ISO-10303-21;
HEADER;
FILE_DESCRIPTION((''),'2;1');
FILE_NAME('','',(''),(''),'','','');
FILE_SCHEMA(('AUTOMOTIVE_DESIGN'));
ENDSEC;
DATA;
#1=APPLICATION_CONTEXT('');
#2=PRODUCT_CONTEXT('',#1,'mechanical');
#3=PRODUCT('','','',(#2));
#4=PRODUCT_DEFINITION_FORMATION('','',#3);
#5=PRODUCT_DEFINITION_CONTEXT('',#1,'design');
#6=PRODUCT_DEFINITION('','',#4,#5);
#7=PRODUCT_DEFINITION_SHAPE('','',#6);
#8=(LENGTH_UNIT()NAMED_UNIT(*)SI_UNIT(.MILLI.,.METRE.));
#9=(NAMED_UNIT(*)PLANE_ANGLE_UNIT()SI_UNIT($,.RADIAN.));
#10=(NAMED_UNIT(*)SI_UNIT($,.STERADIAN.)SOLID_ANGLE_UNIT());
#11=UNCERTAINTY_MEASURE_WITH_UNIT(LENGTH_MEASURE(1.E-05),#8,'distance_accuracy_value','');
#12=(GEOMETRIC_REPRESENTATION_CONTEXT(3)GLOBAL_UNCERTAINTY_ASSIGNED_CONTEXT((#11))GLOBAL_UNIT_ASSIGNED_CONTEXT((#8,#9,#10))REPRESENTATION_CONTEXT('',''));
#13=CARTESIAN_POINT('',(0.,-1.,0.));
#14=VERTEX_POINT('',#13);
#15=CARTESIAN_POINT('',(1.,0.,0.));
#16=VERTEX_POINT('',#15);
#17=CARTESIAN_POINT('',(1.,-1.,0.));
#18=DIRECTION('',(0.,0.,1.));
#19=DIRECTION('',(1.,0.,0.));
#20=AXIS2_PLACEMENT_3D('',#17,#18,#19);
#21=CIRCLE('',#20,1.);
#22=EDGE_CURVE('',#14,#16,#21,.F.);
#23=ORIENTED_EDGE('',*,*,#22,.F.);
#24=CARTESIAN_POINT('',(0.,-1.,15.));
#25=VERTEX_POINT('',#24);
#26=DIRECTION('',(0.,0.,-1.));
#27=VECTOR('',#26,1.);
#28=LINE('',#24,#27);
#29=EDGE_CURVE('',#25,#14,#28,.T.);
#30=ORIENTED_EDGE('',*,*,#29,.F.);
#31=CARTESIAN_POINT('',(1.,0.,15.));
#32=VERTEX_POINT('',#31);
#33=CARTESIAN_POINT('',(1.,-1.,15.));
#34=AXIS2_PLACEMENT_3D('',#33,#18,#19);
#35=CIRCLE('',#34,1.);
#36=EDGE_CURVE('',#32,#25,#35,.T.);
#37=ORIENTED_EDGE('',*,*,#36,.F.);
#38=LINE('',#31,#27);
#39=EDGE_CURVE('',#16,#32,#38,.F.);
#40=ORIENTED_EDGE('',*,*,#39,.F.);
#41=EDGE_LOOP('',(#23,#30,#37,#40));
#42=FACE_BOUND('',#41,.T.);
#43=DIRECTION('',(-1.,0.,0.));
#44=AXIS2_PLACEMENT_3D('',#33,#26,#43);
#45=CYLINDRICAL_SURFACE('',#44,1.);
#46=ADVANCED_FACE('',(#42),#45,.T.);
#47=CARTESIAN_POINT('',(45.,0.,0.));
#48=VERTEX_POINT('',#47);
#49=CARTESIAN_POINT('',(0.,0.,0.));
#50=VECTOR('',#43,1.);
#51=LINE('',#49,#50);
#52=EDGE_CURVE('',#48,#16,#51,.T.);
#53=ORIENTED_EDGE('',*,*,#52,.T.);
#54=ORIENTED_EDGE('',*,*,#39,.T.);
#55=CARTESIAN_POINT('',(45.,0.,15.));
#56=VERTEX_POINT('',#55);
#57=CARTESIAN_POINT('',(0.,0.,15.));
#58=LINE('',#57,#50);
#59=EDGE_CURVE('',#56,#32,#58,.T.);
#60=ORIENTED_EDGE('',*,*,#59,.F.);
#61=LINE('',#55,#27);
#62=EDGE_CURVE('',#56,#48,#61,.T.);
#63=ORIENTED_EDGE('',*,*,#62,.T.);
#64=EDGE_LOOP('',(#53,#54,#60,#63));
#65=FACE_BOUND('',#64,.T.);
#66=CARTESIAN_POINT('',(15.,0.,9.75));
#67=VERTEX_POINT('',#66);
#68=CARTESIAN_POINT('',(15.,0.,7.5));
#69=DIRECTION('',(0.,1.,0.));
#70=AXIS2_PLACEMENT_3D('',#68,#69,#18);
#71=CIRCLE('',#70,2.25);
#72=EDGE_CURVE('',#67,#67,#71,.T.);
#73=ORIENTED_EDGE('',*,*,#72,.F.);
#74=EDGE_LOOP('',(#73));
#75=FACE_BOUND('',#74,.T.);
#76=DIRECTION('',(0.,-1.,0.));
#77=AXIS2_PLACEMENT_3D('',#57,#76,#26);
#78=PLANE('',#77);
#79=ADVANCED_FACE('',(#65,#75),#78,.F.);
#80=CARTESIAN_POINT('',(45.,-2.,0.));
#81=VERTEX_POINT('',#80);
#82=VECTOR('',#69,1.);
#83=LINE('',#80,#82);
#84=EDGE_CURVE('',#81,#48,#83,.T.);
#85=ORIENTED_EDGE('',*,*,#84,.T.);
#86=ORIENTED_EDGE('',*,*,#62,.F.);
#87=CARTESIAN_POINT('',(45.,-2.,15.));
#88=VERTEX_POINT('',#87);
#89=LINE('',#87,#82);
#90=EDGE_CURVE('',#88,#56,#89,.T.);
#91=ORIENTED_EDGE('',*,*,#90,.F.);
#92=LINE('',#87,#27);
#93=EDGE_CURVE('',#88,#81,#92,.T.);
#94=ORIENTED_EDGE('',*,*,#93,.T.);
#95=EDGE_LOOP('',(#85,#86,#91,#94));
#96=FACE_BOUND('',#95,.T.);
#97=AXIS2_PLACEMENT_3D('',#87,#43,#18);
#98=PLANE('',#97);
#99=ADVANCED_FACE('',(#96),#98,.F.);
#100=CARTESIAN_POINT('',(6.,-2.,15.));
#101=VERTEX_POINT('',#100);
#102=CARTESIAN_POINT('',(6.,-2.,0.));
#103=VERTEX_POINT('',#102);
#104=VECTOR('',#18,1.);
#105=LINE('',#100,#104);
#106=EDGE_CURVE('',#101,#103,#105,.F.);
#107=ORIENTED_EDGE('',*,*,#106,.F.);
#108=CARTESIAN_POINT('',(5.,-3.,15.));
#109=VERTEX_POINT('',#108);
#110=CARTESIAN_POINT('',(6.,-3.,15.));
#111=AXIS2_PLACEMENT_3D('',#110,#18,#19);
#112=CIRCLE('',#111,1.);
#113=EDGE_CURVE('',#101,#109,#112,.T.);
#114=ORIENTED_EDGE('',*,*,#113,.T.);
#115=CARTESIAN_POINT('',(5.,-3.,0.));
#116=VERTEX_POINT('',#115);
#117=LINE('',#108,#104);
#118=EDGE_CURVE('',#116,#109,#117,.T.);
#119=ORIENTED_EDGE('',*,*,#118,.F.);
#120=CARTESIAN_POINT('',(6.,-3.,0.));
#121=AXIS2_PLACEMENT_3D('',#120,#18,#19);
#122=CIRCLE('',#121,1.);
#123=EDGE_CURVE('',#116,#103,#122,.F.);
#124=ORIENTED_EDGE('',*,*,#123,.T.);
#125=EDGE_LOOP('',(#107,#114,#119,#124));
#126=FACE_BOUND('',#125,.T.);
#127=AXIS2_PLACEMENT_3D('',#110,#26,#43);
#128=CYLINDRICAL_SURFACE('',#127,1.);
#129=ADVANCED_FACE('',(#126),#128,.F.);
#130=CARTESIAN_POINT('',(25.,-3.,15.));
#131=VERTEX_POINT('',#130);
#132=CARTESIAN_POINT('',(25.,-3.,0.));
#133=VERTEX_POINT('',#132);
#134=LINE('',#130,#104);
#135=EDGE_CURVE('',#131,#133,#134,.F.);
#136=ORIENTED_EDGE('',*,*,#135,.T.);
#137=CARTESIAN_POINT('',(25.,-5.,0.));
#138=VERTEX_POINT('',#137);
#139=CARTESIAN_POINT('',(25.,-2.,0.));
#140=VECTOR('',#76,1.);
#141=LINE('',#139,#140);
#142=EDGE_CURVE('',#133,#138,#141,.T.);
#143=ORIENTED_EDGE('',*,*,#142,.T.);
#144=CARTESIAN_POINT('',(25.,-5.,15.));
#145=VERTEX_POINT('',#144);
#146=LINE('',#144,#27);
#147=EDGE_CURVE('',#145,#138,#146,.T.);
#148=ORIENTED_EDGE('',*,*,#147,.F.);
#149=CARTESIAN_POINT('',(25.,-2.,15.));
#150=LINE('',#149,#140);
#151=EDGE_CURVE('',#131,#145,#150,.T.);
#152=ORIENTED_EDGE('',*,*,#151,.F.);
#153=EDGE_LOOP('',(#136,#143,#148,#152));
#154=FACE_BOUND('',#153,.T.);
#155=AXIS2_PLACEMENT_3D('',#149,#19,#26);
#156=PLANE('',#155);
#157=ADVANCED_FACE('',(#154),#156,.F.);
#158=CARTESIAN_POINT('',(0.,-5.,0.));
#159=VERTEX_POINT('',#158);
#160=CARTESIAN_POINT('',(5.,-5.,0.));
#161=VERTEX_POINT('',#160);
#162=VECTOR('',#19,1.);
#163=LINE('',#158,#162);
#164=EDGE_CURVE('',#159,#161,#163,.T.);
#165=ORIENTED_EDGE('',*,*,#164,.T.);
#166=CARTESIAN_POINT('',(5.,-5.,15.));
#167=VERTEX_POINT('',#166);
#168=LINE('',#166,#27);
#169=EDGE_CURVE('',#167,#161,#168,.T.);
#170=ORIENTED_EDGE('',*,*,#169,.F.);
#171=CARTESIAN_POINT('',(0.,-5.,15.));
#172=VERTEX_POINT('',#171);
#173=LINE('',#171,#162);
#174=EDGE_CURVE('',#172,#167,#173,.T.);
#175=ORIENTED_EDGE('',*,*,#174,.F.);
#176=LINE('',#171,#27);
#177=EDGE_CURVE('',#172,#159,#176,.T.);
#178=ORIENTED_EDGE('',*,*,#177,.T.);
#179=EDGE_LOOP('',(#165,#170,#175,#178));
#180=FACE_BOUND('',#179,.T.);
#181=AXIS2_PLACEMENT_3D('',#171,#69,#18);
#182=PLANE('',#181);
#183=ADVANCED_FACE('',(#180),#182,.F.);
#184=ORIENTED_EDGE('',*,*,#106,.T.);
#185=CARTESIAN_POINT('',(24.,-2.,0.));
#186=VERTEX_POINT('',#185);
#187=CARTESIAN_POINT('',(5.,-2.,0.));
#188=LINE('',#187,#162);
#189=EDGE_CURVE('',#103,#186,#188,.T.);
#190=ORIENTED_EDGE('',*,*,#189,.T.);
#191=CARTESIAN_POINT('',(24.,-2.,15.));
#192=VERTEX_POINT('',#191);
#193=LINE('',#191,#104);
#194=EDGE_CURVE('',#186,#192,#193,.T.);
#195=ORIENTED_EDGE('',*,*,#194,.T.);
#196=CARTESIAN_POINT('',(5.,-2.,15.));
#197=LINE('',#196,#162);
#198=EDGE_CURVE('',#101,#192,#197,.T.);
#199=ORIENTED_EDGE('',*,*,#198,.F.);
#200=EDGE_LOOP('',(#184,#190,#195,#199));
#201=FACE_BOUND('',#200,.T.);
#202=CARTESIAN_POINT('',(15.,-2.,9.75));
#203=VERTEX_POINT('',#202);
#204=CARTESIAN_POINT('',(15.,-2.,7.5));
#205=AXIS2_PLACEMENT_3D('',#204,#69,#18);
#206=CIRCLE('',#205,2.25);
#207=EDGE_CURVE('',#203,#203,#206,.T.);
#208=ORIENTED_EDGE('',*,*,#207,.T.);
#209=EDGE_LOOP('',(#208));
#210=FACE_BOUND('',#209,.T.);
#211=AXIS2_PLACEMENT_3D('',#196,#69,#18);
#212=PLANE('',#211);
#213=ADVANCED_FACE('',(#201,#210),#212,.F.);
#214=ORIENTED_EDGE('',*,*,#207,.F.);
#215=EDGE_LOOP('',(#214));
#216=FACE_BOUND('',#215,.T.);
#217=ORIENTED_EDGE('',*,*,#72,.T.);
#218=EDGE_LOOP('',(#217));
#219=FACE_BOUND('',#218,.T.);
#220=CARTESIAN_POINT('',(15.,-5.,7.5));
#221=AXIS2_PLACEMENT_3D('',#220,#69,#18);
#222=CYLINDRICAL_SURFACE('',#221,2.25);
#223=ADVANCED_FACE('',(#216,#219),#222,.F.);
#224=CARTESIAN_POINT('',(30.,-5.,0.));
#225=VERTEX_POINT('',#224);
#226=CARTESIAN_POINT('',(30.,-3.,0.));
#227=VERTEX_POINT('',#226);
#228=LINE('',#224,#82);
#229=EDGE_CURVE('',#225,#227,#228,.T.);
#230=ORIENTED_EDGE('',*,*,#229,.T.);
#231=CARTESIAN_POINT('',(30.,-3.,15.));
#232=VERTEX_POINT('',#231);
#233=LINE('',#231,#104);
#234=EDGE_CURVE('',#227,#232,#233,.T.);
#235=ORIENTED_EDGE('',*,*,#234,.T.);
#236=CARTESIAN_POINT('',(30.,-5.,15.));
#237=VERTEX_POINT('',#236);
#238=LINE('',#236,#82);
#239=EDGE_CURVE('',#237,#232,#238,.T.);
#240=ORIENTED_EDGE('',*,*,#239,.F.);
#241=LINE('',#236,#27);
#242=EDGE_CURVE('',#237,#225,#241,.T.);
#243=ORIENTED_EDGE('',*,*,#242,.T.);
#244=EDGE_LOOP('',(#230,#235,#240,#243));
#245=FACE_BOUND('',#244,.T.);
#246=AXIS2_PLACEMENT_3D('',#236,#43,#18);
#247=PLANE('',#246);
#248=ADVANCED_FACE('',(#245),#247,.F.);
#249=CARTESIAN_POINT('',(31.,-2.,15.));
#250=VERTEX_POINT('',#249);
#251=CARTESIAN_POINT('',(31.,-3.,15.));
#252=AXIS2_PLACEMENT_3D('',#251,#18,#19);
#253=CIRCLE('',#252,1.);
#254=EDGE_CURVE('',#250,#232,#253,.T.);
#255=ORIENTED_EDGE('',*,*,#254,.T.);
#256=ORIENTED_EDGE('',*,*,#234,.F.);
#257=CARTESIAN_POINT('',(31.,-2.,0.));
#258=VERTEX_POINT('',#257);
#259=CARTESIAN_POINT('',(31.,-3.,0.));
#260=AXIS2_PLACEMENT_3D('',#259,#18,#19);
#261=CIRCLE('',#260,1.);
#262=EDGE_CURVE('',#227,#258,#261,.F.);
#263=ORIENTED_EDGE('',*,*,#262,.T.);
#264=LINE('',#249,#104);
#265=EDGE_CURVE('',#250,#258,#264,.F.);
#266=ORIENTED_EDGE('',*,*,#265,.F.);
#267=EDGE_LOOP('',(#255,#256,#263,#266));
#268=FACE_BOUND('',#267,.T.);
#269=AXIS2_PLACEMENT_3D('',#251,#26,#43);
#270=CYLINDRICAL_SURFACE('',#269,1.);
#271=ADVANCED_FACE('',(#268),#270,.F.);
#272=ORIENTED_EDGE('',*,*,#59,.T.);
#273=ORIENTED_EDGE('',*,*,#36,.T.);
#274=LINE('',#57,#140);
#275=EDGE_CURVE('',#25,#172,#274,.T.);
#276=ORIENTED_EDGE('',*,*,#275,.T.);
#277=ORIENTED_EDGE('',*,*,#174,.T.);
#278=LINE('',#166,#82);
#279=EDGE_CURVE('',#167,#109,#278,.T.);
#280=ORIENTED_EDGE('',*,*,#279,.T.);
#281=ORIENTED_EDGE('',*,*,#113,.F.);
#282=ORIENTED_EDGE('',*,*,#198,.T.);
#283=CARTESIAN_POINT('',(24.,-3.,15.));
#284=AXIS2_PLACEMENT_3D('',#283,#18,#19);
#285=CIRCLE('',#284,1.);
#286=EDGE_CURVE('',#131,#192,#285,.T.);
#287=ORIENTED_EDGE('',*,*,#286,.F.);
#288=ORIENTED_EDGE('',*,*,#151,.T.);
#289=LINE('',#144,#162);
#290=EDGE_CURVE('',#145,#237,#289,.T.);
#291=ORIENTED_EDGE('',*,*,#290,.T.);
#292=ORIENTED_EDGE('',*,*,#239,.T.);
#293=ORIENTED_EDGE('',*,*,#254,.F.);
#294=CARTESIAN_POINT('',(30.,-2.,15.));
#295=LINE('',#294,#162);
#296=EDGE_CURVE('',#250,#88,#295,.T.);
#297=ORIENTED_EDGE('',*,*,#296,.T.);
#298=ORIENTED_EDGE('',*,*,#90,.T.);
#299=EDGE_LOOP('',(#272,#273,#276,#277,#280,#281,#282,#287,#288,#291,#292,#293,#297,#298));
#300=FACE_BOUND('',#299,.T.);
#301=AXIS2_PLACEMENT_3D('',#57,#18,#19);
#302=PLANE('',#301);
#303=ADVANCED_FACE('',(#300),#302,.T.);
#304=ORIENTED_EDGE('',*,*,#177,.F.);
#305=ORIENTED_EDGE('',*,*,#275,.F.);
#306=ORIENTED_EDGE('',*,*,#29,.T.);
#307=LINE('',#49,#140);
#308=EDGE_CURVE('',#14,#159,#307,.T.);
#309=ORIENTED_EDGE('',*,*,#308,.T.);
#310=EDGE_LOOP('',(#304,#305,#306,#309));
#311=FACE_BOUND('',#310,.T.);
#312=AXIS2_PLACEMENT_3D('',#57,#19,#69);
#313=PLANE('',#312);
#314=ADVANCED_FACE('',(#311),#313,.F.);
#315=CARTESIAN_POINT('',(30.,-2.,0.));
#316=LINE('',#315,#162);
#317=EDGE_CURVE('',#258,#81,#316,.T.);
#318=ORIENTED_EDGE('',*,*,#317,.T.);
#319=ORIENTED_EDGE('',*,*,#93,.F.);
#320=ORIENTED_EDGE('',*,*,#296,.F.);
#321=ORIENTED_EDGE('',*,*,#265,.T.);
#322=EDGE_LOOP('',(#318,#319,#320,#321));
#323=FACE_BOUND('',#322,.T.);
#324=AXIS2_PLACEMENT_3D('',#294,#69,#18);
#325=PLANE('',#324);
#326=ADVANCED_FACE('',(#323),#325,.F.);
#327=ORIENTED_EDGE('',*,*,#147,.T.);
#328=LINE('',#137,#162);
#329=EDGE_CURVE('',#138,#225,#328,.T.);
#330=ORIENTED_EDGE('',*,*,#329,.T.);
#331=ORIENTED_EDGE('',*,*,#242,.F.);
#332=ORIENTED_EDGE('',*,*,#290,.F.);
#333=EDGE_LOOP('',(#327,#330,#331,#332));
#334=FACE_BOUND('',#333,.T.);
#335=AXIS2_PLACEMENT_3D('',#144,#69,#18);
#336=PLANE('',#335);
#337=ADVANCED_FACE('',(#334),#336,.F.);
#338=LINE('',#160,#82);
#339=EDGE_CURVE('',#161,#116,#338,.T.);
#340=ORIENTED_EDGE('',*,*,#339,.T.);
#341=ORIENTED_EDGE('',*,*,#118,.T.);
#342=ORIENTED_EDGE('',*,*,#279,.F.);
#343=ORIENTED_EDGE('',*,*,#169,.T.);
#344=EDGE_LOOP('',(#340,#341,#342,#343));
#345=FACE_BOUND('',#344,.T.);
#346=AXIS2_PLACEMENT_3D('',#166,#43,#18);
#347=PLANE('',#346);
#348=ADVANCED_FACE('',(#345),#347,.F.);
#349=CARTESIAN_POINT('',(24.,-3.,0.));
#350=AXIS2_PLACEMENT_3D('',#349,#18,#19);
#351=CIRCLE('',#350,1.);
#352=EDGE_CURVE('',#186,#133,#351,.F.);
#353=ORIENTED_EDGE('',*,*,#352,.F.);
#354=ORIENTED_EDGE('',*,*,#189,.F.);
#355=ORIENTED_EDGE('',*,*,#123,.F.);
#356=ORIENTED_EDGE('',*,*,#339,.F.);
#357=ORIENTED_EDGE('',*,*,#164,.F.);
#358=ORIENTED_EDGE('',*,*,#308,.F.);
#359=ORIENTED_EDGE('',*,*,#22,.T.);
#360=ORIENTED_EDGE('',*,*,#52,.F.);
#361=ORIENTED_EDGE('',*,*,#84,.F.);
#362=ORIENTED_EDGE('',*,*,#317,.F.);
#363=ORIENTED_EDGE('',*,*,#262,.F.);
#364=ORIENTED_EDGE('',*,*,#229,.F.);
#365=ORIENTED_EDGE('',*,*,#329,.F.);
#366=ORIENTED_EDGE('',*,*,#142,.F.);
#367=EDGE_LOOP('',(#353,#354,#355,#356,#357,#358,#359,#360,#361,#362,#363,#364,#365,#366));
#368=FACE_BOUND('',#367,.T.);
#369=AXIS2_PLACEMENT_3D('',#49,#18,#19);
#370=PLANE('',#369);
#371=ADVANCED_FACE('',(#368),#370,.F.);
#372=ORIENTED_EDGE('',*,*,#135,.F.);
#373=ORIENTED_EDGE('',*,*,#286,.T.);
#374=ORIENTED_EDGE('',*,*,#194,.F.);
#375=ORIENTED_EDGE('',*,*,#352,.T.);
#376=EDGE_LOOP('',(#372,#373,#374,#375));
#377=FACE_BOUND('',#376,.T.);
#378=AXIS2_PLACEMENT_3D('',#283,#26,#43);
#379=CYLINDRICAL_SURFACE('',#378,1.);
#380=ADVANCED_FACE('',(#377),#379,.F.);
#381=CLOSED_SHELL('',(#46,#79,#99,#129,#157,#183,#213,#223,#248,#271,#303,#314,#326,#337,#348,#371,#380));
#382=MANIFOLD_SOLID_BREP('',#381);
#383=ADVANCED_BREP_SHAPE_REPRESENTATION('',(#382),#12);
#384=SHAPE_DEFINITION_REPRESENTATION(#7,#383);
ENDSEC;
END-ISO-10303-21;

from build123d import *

# Parameters (mm, degrees)
BOSS_EXTRUDE1_DEPTH = 15
FILLET1_R           = 1
FILLET2_R           = 1
FILLET3_R           = 1
FILLET4_R           = 1
SKETCH2_R           = 2.25
CUT_EXTRUDE1_DEPTH  = 5


with BuildPart() as part:
    # Sketch1 → Boss-Extrude1 (new body)
    with BuildSketch(Plane.XY):
        Polygon((0, 0), (45, 0), (45, -2), (30, -2), (30, -5), (25, -5), (25, -2), (5, -2), (5, -5), (0, -5), align=None)
    extrude(amount=BOSS_EXTRUDE1_DEPTH)

    # Fillet1
    fillet1_edges = [part.edges().sort_by_distance(p)[0] for p in [
        (0, 0, 7.5),
    ]]
    fillet(fillet1_edges, radius=FILLET1_R)

    # Fillet2
    fillet2_edges = [part.edges().sort_by_distance(p)[0] for p in [
        (5, -2, 7.5),
    ]]
    fillet(fillet2_edges, radius=FILLET2_R)

    # Fillet3
    fillet3_edges = [part.edges().sort_by_distance(p)[0] for p in [
        (25, -2, 7.5),
    ]]
    fillet(fillet3_edges, radius=FILLET3_R)

    # Fillet4
    fillet4_edges = [part.edges().sort_by_distance(p)[0] for p in [
        (30, -2, 7.5),
    ]]
    fillet(fillet4_edges, radius=FILLET4_R)

    # Sketch2 → Cut-Extrude1 (cut)
    with BuildSketch(Plane(origin=(0, 0, 0), x_dir=(1, 0, 0), z_dir=(0, 1, 0))):
        with Locations(Location((15, -7.5, 0), (0, 0, 270))):
            Circle(SKETCH2_R)
    extrude(amount=-CUT_EXTRUDE1_DEPTH, mode=Mode.SUBTRACT)


solid = part.part
